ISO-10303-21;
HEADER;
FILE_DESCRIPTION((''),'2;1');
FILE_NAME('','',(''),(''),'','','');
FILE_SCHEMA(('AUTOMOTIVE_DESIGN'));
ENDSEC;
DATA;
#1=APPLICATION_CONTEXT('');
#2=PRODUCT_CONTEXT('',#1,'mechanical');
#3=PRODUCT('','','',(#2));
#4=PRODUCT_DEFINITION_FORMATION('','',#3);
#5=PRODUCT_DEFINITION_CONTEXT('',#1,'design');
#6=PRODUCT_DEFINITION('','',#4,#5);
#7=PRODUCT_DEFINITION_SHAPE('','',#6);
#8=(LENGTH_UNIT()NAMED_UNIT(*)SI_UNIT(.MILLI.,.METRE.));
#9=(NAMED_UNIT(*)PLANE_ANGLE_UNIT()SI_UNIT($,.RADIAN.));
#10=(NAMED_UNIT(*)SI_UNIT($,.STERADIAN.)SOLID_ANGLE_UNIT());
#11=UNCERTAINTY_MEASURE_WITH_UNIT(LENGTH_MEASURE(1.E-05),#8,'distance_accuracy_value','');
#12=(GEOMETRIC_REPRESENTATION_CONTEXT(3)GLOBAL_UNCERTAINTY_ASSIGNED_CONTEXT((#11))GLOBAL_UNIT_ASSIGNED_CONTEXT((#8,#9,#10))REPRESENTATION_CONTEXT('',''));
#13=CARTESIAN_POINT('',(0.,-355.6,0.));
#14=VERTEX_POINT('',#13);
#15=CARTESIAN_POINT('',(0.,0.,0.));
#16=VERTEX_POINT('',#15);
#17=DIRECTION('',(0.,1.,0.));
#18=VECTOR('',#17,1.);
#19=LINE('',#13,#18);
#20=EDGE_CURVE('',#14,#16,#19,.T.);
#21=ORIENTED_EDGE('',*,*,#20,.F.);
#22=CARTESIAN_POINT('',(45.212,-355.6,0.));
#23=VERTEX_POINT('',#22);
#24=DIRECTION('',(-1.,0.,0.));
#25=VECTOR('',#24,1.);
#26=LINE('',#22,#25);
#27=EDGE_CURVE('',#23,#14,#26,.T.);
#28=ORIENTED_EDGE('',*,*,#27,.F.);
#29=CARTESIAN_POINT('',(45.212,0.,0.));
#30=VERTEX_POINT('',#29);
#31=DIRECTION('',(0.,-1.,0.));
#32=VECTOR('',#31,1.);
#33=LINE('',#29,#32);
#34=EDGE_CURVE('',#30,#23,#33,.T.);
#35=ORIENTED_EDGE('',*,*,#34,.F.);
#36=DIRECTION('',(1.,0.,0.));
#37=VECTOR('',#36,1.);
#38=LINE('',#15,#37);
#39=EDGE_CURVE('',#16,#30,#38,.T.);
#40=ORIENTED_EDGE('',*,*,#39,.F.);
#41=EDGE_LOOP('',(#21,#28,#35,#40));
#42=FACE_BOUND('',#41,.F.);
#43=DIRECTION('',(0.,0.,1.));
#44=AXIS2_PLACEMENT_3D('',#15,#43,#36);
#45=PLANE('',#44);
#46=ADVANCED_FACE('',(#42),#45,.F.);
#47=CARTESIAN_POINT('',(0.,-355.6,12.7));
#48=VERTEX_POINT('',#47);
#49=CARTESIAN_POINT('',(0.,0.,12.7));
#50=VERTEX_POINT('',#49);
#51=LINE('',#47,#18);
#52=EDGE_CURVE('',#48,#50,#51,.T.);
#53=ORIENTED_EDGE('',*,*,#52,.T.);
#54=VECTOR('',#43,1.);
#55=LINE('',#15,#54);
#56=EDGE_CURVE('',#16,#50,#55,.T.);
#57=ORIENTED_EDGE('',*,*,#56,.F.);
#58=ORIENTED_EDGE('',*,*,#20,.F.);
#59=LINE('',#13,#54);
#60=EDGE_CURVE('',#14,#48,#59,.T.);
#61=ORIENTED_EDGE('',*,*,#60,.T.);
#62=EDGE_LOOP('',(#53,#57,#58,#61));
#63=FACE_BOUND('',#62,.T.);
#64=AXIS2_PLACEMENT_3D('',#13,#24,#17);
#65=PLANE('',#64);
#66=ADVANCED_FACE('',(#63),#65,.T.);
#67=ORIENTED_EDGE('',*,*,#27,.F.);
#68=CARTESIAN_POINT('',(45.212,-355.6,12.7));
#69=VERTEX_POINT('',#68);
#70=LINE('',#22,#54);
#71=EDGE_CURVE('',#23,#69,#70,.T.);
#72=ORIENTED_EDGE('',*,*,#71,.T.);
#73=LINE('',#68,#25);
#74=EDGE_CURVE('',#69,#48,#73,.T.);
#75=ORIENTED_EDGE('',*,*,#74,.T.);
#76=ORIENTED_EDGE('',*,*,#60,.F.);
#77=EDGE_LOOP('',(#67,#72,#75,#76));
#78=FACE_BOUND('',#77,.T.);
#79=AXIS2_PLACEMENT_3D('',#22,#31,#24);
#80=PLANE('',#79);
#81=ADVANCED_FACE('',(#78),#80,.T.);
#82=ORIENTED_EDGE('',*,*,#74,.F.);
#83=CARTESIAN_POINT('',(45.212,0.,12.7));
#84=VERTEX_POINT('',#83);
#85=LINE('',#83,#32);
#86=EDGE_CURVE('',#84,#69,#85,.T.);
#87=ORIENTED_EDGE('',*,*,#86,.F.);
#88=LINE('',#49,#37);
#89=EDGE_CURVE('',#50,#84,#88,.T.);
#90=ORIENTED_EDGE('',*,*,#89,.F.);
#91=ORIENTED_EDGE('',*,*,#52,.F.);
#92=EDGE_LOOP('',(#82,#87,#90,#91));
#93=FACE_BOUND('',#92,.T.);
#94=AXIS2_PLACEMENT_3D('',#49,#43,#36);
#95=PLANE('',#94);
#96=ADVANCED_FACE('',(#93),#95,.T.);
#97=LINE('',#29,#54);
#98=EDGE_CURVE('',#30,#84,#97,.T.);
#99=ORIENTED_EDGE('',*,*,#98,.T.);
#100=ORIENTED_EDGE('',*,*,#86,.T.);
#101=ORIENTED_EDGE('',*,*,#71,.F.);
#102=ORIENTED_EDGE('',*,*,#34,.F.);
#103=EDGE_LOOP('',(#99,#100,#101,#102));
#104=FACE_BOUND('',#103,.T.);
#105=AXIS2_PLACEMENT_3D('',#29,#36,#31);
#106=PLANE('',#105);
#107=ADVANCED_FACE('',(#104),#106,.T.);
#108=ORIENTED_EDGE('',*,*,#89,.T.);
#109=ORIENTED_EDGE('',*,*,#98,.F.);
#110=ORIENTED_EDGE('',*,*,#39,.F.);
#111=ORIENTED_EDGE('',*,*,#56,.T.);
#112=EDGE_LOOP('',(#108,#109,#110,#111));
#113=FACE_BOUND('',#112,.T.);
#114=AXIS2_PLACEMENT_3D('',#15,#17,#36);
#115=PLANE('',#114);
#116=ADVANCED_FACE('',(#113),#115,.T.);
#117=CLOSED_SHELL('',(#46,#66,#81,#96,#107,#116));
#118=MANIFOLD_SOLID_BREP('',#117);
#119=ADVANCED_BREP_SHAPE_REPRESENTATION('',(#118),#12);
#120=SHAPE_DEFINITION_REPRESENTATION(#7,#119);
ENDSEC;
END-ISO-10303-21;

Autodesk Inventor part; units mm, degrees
ref_plane "YZ Plane" through (0, 0, 0) normal (1, 0, 0) x (0, 1, 0)
ref_plane "XZ Plane" through (0, 0, 0) normal (0, 1, 0) x (-1, 0, 0)
ref_plane "XY Plane" through (0, 0, 0) normal (0, 0, 1) x (1, 0, 0)
sketch "Sketch1" plane through (0, 0, 0) normal (0, 0, 1) x (1, 0, 0)
  line L0 (0, 0) -> (45.212, 0)
  line L1 (45.212, 0) -> (45.212, -355.6)
  line L2 (45.212, -355.6) -> (0, -355.6)
  line L3 (0, -355.6) -> (0, 0)
  dimension "d0" = 45.212
  dimension "d1" = 355.6
extrude "Extrusion1" add sketch "Sketch1" along normal blind 12.7
properties part number "LiftSlidePart" material "Aluminum 6061"
